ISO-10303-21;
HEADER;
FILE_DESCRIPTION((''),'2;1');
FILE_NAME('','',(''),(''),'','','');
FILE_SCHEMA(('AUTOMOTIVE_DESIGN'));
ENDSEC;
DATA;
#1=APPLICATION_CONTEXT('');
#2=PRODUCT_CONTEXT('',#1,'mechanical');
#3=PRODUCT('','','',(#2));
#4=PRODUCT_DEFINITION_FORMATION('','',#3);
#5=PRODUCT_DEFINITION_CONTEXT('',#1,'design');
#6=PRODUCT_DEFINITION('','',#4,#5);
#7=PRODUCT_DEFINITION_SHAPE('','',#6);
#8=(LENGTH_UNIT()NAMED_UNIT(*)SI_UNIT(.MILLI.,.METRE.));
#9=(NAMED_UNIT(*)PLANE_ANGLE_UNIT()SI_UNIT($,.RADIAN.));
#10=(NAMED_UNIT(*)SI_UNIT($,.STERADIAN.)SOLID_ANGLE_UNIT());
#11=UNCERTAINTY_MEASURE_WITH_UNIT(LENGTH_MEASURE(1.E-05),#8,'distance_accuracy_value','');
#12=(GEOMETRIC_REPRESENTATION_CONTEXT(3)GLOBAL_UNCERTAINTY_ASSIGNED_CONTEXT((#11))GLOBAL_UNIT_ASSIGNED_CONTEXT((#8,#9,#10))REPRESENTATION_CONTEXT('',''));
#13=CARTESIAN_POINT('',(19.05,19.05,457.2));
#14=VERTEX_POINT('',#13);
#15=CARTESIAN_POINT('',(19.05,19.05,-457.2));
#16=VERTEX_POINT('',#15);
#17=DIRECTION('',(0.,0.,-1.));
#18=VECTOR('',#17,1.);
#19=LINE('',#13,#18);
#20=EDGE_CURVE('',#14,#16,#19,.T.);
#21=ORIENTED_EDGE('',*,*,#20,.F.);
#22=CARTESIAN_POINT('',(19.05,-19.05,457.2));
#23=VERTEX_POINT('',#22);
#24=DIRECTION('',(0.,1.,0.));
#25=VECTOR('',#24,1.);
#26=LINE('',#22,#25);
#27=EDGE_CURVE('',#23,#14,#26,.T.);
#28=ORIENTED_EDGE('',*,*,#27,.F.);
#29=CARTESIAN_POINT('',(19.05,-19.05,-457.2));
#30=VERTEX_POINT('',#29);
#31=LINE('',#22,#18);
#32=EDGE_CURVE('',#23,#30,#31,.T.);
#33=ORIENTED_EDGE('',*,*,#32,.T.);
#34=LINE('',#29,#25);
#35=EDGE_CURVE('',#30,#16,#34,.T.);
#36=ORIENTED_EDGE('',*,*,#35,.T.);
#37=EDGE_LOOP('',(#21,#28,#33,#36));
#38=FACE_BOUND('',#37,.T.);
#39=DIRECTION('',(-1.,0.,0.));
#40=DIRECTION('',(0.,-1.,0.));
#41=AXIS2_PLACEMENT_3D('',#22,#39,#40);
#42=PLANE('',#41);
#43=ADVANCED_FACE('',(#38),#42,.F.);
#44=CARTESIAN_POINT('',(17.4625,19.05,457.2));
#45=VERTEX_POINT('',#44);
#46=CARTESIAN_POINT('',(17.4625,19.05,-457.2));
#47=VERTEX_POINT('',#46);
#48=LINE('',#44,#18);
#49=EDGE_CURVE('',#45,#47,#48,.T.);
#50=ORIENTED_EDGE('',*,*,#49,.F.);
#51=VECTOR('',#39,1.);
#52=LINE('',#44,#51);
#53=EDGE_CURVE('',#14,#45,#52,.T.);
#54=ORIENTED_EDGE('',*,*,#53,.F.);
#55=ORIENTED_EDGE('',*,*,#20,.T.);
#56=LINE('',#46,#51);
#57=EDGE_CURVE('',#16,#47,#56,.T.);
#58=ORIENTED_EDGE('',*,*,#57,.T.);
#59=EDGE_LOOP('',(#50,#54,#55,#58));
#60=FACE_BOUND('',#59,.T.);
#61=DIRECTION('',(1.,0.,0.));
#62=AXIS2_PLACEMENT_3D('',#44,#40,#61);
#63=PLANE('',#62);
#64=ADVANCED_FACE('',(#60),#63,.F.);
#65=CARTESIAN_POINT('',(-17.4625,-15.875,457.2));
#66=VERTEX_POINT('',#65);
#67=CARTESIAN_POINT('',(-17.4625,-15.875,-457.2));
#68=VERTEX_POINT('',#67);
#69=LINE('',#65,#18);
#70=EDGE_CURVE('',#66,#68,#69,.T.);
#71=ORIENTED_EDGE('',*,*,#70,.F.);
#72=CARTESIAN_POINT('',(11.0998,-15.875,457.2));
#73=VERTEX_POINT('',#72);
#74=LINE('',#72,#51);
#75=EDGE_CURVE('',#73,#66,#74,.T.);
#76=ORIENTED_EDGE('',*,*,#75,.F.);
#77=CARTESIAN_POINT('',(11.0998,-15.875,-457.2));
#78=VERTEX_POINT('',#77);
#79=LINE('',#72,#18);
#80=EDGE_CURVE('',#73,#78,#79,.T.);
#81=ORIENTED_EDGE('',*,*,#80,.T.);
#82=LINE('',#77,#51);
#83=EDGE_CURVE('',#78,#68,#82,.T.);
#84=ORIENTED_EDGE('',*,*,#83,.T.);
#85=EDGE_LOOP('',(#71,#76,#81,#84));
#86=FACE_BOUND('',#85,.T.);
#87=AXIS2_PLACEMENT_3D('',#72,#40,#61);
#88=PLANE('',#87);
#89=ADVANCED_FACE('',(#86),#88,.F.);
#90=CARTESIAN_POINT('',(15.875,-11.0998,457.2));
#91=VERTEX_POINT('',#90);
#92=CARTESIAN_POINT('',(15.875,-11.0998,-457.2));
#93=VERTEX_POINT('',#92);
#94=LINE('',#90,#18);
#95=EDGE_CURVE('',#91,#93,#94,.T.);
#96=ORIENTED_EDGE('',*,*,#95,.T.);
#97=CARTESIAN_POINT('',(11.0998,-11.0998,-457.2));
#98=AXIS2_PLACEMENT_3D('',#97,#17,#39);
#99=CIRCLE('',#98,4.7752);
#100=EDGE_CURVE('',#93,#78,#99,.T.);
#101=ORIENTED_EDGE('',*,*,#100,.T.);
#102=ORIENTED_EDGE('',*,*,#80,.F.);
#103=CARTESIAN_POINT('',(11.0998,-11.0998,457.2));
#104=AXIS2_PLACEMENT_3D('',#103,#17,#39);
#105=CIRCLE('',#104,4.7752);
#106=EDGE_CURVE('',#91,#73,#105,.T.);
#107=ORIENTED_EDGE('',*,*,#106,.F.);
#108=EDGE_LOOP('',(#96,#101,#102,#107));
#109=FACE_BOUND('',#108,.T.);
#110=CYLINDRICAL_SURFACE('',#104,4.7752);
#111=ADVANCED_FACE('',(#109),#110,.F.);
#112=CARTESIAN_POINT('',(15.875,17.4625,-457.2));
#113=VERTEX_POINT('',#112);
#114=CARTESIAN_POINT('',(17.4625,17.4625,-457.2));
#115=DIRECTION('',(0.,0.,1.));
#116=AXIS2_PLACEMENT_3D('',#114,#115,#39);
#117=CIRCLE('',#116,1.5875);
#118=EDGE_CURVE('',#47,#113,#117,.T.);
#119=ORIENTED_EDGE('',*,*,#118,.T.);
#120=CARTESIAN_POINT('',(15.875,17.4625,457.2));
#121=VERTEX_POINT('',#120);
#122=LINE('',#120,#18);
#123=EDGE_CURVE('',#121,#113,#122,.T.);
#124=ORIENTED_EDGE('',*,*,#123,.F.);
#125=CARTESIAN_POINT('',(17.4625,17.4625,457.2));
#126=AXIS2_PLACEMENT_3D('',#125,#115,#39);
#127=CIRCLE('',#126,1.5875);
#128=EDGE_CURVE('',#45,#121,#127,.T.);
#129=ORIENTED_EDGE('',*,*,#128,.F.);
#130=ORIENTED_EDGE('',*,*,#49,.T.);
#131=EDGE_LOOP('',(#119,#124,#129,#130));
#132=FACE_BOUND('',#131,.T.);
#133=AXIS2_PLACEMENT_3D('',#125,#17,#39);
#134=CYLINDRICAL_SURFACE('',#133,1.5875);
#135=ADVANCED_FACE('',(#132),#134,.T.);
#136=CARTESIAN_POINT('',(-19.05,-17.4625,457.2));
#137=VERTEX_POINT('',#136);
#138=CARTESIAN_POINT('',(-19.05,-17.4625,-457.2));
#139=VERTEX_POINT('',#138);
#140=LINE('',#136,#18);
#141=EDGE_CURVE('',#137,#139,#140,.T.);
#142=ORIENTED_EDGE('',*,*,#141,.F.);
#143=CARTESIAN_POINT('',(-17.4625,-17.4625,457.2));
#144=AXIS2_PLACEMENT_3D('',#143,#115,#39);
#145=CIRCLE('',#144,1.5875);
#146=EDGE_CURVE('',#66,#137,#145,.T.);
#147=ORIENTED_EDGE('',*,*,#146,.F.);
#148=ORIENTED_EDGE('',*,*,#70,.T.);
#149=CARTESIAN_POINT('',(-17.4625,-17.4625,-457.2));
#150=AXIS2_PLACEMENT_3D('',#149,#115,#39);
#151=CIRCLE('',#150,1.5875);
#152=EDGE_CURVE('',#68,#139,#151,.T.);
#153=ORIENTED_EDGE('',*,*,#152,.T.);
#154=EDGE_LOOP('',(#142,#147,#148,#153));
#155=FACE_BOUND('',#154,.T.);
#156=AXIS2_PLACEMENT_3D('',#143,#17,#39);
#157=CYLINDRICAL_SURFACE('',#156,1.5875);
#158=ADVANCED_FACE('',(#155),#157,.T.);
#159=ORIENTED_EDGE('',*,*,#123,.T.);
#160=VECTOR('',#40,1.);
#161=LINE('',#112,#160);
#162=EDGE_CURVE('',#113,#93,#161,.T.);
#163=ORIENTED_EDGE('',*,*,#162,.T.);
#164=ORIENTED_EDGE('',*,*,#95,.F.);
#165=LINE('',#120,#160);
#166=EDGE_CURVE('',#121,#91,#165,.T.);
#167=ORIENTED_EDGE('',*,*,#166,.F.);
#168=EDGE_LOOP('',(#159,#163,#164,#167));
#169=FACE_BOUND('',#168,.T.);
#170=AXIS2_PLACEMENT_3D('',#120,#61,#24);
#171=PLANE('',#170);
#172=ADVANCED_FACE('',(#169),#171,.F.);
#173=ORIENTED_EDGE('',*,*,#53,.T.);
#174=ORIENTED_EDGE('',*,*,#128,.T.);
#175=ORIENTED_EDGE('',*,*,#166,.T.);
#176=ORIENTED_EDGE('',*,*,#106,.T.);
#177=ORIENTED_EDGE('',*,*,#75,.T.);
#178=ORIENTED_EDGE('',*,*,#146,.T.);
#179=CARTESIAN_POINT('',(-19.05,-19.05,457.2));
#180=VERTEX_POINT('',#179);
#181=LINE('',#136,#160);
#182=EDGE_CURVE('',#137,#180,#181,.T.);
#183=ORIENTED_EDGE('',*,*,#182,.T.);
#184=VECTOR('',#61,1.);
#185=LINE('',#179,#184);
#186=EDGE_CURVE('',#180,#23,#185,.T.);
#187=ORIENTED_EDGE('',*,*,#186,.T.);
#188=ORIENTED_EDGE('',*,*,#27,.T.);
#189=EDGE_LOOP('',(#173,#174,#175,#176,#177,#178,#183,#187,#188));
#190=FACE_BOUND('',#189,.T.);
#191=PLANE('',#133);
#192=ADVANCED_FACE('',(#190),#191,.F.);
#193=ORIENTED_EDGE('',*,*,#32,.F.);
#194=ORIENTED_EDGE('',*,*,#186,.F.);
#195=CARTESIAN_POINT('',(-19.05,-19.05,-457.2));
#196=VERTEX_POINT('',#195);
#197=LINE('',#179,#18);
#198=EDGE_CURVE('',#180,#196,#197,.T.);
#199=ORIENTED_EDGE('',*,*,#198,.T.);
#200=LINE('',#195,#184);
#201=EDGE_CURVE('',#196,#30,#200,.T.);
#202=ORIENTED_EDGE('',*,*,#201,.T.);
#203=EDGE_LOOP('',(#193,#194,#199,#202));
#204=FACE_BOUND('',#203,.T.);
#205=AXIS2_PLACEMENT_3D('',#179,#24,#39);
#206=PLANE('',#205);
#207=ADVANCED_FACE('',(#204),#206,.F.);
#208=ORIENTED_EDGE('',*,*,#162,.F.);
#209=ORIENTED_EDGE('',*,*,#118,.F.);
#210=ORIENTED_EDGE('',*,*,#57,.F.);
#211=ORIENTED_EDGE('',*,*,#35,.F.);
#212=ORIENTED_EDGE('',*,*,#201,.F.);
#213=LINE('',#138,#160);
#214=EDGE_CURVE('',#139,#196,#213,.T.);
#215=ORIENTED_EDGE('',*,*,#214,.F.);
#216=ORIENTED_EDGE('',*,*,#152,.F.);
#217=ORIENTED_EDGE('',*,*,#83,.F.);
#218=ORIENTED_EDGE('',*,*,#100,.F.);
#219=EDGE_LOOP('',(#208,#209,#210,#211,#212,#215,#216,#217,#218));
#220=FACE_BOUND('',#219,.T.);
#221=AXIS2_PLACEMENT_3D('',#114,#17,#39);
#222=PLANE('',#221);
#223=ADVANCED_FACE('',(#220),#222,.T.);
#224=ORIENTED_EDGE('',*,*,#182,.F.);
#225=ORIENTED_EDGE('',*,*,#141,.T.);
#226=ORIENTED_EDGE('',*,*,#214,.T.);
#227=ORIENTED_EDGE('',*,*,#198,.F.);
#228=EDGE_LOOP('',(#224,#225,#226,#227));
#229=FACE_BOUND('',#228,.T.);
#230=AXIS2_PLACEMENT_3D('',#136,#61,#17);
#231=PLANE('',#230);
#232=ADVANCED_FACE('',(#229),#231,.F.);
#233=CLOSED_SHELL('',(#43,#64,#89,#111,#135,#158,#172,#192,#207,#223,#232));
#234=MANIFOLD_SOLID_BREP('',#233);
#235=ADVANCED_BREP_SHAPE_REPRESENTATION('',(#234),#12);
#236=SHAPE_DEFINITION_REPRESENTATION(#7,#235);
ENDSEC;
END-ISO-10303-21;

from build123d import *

# Parameters (mm, degrees)
BOSS_EXTRUDE1_DEPTH = 457.2


with BuildPart() as part:
    # Sketch2 → Boss-Extrude1 (new, symmetric)
    with BuildSketch(Plane.XY):
        with BuildLine():
            Line((-19.05, -19.05), (19.05, -19.05))
            Line((19.05, -19.05), (19.05, 19.05))
            Line((19.05, 19.05), (17.4625, 19.05))
            ThreePointArc((17.4625, 19.05), (16.339967985, 18.585032015), (15.875, 17.4625))
            Line((15.875, 17.4625), (15.875, -11.0998))
            ThreePointArc((15.875, -11.0998), (14.476376302, -14.476376302), (11.0998, -15.875))
            Line((11.0998, -15.875), (-17.4625, -15.875))
            ThreePointArc((-17.4625, -15.875), (-18.585032015, -16.339967985), (-19.05, -17.4625))
            Line((-19.05, -17.4625), (-19.05, -19.05))
        make_face()
    extrude(amount=BOSS_EXTRUDE1_DEPTH, both=True)


solid = part.part
